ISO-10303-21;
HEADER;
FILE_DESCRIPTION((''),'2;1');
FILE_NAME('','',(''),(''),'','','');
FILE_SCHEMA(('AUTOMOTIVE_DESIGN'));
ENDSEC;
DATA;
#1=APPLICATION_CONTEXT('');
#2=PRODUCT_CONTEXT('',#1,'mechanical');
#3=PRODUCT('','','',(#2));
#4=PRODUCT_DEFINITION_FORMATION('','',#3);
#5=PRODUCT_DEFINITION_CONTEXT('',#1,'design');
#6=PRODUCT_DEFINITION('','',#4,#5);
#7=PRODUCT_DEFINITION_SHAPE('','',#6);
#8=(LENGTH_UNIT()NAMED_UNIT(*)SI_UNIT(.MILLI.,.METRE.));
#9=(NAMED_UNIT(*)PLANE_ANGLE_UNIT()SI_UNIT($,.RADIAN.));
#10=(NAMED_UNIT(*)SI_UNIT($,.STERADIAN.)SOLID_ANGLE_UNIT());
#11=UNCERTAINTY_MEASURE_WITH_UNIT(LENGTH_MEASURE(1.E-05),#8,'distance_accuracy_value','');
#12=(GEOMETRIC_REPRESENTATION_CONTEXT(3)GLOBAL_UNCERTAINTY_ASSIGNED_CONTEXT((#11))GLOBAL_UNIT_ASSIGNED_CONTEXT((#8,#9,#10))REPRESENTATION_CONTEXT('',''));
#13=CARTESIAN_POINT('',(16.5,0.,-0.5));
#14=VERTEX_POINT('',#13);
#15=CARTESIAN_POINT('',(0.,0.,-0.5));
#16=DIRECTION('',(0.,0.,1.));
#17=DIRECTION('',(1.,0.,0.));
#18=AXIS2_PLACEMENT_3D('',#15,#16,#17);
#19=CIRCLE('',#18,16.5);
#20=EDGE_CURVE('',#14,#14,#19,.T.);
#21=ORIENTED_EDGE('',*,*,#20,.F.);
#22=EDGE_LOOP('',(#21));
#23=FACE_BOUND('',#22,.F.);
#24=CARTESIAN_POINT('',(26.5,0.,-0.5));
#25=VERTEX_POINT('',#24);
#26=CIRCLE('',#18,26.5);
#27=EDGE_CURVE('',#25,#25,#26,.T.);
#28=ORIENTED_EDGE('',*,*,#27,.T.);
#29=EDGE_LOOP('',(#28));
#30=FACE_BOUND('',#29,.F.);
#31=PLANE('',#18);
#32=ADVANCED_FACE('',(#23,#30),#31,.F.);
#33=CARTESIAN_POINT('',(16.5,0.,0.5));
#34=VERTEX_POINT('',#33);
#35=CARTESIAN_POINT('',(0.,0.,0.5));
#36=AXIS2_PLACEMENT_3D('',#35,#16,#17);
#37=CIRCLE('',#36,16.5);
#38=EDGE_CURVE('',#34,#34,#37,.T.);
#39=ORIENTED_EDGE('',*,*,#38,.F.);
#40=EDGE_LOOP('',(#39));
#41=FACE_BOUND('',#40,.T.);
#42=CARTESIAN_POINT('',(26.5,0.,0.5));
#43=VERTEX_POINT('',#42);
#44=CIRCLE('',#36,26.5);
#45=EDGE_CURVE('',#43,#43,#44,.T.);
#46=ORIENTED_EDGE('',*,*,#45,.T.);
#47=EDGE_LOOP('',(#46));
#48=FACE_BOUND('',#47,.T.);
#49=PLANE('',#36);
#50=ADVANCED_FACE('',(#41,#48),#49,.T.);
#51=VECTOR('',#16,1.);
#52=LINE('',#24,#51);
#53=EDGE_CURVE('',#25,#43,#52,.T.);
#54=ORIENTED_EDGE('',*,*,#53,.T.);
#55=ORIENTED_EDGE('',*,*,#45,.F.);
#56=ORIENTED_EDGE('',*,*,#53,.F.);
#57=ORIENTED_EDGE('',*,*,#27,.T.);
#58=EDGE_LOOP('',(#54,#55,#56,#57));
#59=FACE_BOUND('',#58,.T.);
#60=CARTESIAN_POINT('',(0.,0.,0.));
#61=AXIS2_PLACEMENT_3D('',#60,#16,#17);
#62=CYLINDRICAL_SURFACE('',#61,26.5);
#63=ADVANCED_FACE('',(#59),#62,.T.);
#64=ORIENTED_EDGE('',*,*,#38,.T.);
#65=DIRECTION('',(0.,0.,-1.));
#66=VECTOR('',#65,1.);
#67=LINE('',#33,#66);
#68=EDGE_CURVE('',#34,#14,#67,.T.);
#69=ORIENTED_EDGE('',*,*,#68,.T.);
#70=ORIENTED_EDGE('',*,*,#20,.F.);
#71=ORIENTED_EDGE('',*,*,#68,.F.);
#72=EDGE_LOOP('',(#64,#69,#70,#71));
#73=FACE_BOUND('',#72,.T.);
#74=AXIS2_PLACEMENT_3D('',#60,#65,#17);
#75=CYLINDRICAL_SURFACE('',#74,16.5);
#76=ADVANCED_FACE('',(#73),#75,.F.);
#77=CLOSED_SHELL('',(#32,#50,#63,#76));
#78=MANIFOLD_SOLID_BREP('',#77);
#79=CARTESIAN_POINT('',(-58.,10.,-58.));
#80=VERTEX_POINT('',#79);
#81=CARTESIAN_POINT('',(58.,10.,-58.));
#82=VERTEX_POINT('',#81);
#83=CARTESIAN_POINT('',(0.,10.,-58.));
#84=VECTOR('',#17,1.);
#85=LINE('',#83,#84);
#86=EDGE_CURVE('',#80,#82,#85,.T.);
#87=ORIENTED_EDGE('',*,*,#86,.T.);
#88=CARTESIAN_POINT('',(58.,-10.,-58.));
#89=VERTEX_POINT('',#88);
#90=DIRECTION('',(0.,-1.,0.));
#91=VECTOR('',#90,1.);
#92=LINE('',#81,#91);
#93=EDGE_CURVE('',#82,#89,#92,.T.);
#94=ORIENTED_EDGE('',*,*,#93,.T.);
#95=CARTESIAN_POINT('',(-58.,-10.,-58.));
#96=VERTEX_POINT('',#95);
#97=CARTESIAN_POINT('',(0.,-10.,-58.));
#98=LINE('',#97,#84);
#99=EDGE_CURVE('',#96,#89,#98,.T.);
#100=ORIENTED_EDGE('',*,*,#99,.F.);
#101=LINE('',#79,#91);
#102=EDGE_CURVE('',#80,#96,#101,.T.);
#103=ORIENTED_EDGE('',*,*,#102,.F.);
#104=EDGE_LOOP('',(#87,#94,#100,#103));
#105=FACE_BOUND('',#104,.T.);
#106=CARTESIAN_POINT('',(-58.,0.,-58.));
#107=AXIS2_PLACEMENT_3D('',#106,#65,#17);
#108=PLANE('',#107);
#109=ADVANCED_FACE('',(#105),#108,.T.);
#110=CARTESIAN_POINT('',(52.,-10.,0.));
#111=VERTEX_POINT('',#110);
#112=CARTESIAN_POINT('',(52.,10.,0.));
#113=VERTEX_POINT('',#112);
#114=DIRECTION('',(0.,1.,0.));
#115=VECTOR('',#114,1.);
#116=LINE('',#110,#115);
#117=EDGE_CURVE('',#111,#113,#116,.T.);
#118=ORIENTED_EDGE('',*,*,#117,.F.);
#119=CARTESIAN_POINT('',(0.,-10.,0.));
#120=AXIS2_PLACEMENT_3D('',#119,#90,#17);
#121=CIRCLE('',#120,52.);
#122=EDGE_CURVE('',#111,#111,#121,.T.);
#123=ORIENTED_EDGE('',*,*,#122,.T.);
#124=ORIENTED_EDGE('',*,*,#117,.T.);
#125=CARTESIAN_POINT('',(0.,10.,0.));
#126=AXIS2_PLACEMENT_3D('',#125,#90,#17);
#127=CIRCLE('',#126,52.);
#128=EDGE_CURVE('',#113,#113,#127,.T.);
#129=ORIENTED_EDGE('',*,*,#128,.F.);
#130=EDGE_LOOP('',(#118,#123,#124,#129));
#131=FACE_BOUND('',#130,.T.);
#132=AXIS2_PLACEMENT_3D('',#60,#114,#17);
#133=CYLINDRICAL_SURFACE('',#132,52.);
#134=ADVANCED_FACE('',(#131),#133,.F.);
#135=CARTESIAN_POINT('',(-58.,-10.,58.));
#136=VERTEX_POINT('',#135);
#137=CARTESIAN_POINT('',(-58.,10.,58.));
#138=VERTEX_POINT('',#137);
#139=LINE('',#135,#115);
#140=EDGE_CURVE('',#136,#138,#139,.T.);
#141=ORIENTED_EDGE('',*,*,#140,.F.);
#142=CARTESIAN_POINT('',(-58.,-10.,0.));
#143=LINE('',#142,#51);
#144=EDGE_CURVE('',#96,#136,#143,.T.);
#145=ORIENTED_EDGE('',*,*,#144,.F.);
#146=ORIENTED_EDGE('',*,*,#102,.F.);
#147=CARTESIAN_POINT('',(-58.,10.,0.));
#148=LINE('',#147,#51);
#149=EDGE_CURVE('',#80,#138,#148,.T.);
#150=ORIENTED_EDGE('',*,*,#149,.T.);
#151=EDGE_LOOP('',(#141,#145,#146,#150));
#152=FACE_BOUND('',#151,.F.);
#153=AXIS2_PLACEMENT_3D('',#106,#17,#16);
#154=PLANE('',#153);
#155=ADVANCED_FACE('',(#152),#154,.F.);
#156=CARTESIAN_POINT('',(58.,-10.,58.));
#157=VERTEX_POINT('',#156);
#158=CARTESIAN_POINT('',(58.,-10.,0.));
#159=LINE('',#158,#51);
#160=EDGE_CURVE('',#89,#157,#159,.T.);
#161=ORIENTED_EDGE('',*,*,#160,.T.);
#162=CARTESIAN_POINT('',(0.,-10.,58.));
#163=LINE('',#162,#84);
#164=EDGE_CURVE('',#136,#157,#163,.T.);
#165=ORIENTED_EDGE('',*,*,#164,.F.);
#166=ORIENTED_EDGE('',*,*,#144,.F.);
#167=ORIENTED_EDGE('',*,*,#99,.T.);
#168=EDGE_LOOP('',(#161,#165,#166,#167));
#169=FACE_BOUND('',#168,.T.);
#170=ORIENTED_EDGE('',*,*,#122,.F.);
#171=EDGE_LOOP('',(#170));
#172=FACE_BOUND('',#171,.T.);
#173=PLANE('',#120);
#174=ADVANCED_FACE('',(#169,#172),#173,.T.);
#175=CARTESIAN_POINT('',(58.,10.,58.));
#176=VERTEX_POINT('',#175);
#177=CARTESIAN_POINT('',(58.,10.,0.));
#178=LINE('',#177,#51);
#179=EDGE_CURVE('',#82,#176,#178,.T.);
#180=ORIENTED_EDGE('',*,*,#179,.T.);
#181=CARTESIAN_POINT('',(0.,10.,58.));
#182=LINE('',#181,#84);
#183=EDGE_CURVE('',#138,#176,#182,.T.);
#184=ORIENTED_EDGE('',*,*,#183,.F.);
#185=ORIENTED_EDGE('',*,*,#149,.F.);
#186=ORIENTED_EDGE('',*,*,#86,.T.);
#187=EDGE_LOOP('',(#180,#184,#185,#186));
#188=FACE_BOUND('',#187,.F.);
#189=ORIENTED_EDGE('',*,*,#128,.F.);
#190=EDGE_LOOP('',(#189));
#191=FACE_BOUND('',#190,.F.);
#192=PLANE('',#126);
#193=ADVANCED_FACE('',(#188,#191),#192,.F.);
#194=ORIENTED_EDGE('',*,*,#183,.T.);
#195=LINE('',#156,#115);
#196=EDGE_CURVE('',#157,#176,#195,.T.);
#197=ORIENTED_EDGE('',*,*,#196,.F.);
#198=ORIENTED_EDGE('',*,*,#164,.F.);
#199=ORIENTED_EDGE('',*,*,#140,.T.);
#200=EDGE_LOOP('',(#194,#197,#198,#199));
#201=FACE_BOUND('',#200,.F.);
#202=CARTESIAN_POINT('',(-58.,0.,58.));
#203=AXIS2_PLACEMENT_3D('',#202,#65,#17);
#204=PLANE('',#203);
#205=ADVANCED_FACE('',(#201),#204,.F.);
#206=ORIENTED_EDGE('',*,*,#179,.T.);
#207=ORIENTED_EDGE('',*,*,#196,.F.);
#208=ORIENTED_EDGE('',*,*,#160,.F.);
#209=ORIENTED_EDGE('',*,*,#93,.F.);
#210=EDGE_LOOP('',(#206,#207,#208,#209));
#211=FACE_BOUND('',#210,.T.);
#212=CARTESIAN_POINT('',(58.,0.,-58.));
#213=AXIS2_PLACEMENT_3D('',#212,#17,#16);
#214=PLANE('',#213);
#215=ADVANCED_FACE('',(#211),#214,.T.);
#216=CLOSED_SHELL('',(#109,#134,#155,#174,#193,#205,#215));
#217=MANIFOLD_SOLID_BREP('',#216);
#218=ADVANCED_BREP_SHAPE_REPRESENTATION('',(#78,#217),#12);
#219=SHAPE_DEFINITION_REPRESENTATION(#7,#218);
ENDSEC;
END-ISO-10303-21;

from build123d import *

# Parameters (mm, degrees)
F0_W     = 116
F0_H     = 116
F0_R     = 52
F1_DEPTH = 10
F2_R     = 26.5
F2_R_2   = 16.5
F3_DEPTH = 0.5


with BuildPart() as f1:
    # F0 (on Front) → F1 (new body, symmetric)
    with BuildSketch(Plane.XZ):
        Rectangle(F0_W, F0_H)
        Circle(F0_R, mode=Mode.SUBTRACT)
    extrude(amount=F1_DEPTH, both=True)


with BuildPart() as f3:
    # F2 (on Top) → F3 (new body, symmetric)
    with BuildSketch(Plane.XY):
        Circle(F2_R)
        Circle(F2_R_2, mode=Mode.SUBTRACT)
    extrude(amount=F3_DEPTH, both=True)


solid = Compound([f1.part, f3.part])
